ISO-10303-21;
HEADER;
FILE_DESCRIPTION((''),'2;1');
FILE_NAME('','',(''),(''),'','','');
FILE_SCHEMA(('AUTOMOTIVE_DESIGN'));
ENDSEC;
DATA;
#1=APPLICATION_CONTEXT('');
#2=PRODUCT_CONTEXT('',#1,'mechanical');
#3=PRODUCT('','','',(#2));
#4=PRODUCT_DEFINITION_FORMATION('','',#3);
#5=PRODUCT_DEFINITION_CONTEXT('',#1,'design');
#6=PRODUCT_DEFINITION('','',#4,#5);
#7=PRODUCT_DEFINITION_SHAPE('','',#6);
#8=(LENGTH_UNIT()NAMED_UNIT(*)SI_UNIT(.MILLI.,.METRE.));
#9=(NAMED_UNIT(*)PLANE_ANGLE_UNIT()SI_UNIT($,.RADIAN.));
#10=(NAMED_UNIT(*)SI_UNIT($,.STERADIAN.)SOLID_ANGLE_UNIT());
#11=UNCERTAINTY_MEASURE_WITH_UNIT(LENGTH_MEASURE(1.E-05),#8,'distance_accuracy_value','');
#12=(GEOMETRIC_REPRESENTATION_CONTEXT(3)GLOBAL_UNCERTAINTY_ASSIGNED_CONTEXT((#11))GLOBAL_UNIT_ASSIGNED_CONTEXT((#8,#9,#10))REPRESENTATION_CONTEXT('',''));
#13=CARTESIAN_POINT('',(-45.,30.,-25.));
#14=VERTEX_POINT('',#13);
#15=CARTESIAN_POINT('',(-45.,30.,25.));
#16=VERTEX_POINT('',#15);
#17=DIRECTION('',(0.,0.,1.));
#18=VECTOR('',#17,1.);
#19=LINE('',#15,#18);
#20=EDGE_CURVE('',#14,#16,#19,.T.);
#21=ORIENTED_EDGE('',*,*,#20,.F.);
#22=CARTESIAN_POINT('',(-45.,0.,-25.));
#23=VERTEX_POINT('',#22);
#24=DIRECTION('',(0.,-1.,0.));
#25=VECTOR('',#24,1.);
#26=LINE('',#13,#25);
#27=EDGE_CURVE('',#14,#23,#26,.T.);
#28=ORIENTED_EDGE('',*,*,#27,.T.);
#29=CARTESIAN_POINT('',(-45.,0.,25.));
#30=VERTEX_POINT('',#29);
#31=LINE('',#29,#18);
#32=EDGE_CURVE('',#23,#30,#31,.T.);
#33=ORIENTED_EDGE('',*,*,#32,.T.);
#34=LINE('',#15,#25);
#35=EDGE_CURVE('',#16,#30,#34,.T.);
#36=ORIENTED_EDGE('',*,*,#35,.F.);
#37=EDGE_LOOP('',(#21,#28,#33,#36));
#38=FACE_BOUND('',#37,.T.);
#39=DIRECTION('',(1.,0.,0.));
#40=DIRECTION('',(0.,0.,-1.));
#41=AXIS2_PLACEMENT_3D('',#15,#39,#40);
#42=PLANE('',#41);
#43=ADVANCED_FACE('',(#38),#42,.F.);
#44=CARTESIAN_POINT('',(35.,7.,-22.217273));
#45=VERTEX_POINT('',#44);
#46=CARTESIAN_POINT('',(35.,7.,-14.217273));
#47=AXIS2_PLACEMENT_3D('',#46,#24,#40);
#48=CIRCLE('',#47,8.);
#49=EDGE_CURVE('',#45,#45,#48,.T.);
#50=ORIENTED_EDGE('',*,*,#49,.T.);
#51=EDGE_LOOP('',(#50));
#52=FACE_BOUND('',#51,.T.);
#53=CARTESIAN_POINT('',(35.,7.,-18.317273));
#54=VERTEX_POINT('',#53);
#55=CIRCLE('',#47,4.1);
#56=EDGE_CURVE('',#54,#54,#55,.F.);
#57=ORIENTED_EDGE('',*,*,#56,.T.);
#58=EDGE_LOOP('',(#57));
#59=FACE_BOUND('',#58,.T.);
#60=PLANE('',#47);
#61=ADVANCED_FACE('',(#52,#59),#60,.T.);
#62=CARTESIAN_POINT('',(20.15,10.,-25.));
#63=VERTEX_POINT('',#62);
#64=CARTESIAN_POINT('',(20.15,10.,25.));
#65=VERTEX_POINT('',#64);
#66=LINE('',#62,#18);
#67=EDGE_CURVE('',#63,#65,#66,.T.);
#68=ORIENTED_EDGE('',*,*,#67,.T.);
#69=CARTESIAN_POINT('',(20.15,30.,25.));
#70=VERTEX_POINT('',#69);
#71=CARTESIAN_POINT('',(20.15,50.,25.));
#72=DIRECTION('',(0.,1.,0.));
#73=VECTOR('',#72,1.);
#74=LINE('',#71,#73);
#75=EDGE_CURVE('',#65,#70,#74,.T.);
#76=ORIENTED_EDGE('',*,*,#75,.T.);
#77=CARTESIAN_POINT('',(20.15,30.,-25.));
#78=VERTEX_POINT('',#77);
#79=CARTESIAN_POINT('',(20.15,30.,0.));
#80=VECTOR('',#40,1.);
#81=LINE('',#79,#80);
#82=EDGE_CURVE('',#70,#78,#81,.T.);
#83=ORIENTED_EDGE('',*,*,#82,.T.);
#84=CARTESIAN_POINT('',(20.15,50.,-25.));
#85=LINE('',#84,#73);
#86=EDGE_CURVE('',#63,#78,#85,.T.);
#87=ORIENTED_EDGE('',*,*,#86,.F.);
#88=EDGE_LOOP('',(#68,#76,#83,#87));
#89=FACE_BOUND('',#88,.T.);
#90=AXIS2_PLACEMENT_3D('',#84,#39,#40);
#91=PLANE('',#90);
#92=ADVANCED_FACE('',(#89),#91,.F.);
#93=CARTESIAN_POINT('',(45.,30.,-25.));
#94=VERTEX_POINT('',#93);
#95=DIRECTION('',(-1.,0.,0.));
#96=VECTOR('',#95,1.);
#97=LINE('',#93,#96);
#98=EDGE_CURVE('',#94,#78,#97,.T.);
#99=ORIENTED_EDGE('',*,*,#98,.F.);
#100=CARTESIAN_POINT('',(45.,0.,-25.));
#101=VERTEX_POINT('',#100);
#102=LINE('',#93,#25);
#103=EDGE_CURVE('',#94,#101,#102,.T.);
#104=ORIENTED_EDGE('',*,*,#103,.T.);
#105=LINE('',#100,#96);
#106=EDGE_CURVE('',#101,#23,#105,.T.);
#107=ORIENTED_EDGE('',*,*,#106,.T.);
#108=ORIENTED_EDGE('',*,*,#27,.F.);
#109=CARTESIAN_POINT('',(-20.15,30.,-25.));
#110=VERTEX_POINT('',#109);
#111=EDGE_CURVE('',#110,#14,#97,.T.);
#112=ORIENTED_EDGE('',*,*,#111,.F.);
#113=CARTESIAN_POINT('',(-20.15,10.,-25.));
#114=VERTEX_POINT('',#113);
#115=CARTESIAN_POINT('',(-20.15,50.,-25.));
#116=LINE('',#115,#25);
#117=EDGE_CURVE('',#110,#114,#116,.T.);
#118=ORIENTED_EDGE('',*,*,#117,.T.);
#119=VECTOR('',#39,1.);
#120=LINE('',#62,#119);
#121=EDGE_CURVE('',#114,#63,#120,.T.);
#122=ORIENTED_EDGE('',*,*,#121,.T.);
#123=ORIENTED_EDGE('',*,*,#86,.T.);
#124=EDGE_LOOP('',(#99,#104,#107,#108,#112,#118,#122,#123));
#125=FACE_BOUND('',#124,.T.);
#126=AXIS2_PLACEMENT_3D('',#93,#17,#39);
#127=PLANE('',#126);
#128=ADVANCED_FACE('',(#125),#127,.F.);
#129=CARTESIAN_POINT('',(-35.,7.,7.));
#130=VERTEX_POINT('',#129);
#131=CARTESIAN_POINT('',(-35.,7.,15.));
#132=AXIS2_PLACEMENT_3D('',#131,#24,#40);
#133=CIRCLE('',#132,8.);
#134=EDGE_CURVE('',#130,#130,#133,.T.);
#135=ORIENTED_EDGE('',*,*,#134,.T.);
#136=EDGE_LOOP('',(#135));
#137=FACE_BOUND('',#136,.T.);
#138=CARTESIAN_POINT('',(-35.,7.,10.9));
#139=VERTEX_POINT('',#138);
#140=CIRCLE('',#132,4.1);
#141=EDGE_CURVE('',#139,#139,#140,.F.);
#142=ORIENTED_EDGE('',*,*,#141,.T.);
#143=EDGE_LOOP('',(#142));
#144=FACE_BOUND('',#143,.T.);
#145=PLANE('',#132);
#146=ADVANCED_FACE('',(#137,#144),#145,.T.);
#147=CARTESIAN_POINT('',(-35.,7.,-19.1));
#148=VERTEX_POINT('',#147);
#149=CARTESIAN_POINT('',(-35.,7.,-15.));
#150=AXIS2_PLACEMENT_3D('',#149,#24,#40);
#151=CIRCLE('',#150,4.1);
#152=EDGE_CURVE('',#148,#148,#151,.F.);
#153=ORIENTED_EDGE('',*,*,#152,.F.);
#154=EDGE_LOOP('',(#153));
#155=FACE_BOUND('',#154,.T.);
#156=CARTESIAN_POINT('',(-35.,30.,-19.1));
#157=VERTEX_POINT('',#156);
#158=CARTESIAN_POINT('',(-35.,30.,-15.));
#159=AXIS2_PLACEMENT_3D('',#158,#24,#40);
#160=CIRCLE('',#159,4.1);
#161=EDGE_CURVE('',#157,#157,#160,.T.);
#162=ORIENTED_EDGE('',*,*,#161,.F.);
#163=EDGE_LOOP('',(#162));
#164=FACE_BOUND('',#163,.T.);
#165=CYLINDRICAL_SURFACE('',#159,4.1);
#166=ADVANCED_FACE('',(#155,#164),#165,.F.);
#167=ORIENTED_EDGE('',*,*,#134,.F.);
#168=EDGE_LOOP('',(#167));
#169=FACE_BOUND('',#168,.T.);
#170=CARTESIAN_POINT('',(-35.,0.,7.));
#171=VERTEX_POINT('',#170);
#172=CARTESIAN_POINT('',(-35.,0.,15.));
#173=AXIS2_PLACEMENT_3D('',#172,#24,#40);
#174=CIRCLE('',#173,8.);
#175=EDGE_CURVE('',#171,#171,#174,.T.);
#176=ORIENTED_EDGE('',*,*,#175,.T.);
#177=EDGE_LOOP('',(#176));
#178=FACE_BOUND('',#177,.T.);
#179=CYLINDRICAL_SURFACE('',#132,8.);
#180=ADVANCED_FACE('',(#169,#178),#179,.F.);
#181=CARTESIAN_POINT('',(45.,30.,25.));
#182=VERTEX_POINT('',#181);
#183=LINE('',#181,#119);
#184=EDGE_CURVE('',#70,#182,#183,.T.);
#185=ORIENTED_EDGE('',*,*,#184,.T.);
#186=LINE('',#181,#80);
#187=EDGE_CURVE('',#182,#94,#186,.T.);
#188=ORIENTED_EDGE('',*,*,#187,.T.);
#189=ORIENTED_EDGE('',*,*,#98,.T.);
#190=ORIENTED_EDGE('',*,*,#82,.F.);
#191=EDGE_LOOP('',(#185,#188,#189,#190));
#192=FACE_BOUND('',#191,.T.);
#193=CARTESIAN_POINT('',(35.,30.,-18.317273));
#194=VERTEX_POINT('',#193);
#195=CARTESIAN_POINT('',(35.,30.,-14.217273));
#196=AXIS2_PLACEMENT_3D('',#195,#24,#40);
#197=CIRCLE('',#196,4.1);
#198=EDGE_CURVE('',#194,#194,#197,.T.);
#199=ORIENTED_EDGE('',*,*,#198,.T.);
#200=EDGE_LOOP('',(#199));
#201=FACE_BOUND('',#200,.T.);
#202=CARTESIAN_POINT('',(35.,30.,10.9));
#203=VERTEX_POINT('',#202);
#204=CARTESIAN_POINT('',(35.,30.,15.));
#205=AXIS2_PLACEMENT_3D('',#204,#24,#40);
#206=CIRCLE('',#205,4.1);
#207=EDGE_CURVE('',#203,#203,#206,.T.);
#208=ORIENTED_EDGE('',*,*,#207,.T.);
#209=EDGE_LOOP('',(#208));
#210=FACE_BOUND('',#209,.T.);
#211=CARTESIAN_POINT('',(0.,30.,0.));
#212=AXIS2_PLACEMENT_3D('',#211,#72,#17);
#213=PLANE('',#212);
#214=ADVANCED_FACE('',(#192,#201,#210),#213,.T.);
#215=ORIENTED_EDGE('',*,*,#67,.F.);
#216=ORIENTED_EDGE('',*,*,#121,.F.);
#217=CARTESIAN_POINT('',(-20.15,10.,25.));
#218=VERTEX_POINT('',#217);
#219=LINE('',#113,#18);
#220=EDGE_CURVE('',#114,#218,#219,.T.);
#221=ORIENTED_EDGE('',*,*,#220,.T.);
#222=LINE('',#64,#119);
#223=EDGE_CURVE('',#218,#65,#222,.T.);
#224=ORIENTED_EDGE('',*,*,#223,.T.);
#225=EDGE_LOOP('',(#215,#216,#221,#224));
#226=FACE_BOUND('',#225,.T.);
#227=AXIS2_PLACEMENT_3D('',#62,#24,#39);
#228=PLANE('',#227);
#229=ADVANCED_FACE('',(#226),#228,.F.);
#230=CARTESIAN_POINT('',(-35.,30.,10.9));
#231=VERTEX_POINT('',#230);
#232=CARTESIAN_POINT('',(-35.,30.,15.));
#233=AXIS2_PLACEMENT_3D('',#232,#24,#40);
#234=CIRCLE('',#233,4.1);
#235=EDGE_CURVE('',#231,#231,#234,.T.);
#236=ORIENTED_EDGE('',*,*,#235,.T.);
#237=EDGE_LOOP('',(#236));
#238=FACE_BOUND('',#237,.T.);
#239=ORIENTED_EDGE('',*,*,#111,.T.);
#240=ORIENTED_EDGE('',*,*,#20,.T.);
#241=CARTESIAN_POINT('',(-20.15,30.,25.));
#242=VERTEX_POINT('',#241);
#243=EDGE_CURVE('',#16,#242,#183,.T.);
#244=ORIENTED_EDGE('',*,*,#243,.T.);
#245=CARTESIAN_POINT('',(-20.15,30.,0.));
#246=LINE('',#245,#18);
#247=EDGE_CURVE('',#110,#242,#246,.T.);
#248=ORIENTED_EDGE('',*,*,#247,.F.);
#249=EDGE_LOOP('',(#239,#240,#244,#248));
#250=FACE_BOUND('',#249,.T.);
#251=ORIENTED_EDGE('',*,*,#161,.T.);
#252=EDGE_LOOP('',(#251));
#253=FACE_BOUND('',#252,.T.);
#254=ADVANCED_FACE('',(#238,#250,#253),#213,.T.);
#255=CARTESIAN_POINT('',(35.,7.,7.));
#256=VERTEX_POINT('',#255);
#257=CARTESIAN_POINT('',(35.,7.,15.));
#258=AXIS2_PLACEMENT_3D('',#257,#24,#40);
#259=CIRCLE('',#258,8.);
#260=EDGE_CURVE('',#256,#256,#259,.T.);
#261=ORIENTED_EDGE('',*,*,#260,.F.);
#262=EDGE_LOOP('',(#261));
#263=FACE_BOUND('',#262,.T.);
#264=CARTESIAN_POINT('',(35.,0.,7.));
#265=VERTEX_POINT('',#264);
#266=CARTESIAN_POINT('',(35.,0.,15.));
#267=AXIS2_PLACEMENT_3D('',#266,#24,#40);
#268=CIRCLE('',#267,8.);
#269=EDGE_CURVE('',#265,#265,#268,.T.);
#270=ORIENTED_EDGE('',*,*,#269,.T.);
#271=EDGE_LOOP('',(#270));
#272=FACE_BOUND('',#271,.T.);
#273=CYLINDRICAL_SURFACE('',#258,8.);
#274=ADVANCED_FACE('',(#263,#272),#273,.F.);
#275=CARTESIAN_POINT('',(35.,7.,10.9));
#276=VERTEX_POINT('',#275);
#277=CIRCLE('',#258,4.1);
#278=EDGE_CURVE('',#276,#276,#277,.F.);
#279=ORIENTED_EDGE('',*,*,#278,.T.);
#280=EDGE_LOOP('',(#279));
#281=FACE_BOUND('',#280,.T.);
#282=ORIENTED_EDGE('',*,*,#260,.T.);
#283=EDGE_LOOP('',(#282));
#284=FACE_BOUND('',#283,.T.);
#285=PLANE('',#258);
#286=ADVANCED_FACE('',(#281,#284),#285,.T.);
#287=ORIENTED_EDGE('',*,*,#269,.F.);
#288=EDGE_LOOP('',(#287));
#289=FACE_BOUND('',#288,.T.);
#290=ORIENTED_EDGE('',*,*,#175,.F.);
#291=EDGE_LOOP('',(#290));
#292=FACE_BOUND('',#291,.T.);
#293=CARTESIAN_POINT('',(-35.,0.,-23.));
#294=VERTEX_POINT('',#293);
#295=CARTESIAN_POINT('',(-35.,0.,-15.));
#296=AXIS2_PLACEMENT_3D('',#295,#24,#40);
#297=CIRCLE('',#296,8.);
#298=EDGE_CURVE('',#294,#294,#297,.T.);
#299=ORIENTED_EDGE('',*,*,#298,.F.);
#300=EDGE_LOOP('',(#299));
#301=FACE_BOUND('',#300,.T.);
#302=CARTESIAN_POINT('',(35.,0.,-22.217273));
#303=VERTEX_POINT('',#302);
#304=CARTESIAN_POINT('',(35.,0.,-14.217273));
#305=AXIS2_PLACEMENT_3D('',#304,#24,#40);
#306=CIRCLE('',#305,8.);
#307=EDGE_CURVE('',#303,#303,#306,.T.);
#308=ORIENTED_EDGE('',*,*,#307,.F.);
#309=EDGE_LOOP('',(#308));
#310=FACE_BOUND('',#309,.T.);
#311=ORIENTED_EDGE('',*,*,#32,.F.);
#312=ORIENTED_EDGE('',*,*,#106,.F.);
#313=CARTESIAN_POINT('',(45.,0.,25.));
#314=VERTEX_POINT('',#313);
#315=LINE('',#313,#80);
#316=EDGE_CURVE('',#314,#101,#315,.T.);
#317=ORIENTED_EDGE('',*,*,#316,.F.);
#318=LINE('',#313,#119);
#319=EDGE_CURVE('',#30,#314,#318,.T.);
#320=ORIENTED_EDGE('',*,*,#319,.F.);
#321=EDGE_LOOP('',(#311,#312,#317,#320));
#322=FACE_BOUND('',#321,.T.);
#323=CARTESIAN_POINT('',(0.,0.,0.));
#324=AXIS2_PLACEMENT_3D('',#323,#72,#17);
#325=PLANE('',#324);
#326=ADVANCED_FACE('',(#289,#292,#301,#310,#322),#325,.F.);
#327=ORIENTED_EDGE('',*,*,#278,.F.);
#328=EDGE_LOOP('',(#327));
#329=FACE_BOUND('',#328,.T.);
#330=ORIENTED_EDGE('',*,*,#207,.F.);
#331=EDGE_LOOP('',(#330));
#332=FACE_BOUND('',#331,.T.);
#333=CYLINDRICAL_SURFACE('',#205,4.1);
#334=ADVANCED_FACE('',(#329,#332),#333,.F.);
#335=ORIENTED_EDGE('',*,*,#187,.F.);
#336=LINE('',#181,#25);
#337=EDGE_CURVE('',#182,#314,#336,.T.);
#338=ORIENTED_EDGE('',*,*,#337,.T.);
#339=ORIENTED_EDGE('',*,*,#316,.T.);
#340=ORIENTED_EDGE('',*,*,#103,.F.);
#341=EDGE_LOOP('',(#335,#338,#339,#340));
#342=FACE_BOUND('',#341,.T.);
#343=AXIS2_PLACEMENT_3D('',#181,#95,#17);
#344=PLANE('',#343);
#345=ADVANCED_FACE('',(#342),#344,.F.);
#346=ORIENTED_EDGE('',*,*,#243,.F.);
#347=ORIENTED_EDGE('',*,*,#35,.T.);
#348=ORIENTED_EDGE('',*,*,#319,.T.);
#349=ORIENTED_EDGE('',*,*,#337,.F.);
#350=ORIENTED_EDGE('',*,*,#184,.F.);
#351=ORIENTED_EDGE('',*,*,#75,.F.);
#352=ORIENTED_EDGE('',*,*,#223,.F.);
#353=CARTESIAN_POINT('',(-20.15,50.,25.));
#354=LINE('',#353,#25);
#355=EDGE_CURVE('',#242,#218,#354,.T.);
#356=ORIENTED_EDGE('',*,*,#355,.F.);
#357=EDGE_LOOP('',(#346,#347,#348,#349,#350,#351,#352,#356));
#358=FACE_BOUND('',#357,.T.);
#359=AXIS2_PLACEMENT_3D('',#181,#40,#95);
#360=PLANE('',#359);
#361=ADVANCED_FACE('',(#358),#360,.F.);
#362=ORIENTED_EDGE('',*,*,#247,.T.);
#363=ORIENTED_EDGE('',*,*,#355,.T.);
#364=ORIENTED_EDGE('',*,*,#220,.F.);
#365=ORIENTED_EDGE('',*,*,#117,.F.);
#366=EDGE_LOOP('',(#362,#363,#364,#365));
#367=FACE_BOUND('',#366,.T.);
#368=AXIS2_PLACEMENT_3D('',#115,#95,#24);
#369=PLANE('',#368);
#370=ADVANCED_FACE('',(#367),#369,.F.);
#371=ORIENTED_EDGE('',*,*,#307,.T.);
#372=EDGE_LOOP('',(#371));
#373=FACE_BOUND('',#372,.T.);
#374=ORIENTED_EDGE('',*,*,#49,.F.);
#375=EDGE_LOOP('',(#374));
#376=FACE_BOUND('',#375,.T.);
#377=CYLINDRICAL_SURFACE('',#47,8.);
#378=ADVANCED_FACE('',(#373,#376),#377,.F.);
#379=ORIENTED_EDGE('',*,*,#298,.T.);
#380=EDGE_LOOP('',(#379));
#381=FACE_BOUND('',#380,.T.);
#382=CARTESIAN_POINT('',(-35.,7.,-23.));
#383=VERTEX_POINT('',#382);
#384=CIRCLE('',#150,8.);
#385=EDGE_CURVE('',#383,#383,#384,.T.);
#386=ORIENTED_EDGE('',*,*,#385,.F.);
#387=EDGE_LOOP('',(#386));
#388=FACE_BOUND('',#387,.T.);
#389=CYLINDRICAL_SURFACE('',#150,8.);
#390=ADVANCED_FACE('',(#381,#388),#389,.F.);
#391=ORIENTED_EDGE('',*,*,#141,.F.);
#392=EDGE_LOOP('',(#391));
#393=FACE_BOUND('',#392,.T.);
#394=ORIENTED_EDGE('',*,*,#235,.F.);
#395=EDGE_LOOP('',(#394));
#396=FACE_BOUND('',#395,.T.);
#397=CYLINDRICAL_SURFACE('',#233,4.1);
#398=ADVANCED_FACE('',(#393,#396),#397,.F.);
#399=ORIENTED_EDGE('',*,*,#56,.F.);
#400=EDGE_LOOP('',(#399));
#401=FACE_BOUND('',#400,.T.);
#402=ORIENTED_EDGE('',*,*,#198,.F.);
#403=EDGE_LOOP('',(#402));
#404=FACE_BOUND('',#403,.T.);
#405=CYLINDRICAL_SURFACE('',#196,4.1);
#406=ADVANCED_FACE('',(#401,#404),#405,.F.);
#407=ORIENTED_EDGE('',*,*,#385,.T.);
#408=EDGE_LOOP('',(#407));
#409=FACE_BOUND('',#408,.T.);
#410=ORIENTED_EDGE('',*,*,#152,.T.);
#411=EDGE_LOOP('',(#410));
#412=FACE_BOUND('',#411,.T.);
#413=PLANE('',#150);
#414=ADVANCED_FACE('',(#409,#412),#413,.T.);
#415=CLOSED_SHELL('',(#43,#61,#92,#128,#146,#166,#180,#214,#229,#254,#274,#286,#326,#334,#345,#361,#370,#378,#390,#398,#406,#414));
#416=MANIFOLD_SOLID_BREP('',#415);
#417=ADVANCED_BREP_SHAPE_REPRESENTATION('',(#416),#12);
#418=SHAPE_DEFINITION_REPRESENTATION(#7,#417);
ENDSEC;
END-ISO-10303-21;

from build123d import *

# Parameters (mm, degrees)
SKETCH1_W           = 90
SKETCH1_H           = 50
BOSS_EXTRUDE1_DEPTH = 30
SKETCH2_W           = 40.3
SKETCH2_H           = 40
CUT_EXTRUDE1_DEPTH  = 51
SKETCH3_R           = 4.1
CUT_EXTRUDE2_DEPTH  = 31
SKETCH4_R           = 8
CUT_EXTRUDE3_DEPTH  = 7


with BuildPart() as part:
    # Sketch1 → Boss-Extrude1 (new body)
    with BuildSketch(Plane(origin=(0, 0, 0), x_dir=(1, 0, 0), z_dir=(0, 1, 0))):
        Rectangle(SKETCH1_W, SKETCH1_H)
    extrude(amount=BOSS_EXTRUDE1_DEPTH)

    # Sketch2 → Cut-Extrude1 (cut, through all)
    with BuildSketch(Plane.XY.offset(25)):
        with Locations((0, 30)):
            Rectangle(SKETCH2_W, SKETCH2_H)
    extrude(amount=-CUT_EXTRUDE1_DEPTH, mode=Mode.SUBTRACT)

    # Sketch3 → Cut-Extrude2 (cut, through all)
    with BuildSketch(Plane.XZ):
        with Locations((-35, 15)):
            Circle(SKETCH3_R)
        with Locations((-35, -15)):
            Circle(SKETCH3_R)
        with Locations((35, -14.217273236)):
            Circle(SKETCH3_R)
        with Locations((35, 15)):
            Circle(SKETCH3_R)
    extrude(amount=-CUT_EXTRUDE2_DEPTH, mode=Mode.SUBTRACT)

    # Sketch4 → Cut-Extrude3 (cut)
    with BuildSketch(Plane.XZ):
        with Locations((35, 15)):
            Circle(SKETCH4_R)
        with Locations((35, -14.217273236)):
            Circle(SKETCH4_R)
        with Locations((-35, 15)):
            Circle(SKETCH4_R)
        with Locations((-35, -15)):
            Circle(SKETCH4_R)
    extrude(amount=-CUT_EXTRUDE3_DEPTH, mode=Mode.SUBTRACT)


solid = part.part
